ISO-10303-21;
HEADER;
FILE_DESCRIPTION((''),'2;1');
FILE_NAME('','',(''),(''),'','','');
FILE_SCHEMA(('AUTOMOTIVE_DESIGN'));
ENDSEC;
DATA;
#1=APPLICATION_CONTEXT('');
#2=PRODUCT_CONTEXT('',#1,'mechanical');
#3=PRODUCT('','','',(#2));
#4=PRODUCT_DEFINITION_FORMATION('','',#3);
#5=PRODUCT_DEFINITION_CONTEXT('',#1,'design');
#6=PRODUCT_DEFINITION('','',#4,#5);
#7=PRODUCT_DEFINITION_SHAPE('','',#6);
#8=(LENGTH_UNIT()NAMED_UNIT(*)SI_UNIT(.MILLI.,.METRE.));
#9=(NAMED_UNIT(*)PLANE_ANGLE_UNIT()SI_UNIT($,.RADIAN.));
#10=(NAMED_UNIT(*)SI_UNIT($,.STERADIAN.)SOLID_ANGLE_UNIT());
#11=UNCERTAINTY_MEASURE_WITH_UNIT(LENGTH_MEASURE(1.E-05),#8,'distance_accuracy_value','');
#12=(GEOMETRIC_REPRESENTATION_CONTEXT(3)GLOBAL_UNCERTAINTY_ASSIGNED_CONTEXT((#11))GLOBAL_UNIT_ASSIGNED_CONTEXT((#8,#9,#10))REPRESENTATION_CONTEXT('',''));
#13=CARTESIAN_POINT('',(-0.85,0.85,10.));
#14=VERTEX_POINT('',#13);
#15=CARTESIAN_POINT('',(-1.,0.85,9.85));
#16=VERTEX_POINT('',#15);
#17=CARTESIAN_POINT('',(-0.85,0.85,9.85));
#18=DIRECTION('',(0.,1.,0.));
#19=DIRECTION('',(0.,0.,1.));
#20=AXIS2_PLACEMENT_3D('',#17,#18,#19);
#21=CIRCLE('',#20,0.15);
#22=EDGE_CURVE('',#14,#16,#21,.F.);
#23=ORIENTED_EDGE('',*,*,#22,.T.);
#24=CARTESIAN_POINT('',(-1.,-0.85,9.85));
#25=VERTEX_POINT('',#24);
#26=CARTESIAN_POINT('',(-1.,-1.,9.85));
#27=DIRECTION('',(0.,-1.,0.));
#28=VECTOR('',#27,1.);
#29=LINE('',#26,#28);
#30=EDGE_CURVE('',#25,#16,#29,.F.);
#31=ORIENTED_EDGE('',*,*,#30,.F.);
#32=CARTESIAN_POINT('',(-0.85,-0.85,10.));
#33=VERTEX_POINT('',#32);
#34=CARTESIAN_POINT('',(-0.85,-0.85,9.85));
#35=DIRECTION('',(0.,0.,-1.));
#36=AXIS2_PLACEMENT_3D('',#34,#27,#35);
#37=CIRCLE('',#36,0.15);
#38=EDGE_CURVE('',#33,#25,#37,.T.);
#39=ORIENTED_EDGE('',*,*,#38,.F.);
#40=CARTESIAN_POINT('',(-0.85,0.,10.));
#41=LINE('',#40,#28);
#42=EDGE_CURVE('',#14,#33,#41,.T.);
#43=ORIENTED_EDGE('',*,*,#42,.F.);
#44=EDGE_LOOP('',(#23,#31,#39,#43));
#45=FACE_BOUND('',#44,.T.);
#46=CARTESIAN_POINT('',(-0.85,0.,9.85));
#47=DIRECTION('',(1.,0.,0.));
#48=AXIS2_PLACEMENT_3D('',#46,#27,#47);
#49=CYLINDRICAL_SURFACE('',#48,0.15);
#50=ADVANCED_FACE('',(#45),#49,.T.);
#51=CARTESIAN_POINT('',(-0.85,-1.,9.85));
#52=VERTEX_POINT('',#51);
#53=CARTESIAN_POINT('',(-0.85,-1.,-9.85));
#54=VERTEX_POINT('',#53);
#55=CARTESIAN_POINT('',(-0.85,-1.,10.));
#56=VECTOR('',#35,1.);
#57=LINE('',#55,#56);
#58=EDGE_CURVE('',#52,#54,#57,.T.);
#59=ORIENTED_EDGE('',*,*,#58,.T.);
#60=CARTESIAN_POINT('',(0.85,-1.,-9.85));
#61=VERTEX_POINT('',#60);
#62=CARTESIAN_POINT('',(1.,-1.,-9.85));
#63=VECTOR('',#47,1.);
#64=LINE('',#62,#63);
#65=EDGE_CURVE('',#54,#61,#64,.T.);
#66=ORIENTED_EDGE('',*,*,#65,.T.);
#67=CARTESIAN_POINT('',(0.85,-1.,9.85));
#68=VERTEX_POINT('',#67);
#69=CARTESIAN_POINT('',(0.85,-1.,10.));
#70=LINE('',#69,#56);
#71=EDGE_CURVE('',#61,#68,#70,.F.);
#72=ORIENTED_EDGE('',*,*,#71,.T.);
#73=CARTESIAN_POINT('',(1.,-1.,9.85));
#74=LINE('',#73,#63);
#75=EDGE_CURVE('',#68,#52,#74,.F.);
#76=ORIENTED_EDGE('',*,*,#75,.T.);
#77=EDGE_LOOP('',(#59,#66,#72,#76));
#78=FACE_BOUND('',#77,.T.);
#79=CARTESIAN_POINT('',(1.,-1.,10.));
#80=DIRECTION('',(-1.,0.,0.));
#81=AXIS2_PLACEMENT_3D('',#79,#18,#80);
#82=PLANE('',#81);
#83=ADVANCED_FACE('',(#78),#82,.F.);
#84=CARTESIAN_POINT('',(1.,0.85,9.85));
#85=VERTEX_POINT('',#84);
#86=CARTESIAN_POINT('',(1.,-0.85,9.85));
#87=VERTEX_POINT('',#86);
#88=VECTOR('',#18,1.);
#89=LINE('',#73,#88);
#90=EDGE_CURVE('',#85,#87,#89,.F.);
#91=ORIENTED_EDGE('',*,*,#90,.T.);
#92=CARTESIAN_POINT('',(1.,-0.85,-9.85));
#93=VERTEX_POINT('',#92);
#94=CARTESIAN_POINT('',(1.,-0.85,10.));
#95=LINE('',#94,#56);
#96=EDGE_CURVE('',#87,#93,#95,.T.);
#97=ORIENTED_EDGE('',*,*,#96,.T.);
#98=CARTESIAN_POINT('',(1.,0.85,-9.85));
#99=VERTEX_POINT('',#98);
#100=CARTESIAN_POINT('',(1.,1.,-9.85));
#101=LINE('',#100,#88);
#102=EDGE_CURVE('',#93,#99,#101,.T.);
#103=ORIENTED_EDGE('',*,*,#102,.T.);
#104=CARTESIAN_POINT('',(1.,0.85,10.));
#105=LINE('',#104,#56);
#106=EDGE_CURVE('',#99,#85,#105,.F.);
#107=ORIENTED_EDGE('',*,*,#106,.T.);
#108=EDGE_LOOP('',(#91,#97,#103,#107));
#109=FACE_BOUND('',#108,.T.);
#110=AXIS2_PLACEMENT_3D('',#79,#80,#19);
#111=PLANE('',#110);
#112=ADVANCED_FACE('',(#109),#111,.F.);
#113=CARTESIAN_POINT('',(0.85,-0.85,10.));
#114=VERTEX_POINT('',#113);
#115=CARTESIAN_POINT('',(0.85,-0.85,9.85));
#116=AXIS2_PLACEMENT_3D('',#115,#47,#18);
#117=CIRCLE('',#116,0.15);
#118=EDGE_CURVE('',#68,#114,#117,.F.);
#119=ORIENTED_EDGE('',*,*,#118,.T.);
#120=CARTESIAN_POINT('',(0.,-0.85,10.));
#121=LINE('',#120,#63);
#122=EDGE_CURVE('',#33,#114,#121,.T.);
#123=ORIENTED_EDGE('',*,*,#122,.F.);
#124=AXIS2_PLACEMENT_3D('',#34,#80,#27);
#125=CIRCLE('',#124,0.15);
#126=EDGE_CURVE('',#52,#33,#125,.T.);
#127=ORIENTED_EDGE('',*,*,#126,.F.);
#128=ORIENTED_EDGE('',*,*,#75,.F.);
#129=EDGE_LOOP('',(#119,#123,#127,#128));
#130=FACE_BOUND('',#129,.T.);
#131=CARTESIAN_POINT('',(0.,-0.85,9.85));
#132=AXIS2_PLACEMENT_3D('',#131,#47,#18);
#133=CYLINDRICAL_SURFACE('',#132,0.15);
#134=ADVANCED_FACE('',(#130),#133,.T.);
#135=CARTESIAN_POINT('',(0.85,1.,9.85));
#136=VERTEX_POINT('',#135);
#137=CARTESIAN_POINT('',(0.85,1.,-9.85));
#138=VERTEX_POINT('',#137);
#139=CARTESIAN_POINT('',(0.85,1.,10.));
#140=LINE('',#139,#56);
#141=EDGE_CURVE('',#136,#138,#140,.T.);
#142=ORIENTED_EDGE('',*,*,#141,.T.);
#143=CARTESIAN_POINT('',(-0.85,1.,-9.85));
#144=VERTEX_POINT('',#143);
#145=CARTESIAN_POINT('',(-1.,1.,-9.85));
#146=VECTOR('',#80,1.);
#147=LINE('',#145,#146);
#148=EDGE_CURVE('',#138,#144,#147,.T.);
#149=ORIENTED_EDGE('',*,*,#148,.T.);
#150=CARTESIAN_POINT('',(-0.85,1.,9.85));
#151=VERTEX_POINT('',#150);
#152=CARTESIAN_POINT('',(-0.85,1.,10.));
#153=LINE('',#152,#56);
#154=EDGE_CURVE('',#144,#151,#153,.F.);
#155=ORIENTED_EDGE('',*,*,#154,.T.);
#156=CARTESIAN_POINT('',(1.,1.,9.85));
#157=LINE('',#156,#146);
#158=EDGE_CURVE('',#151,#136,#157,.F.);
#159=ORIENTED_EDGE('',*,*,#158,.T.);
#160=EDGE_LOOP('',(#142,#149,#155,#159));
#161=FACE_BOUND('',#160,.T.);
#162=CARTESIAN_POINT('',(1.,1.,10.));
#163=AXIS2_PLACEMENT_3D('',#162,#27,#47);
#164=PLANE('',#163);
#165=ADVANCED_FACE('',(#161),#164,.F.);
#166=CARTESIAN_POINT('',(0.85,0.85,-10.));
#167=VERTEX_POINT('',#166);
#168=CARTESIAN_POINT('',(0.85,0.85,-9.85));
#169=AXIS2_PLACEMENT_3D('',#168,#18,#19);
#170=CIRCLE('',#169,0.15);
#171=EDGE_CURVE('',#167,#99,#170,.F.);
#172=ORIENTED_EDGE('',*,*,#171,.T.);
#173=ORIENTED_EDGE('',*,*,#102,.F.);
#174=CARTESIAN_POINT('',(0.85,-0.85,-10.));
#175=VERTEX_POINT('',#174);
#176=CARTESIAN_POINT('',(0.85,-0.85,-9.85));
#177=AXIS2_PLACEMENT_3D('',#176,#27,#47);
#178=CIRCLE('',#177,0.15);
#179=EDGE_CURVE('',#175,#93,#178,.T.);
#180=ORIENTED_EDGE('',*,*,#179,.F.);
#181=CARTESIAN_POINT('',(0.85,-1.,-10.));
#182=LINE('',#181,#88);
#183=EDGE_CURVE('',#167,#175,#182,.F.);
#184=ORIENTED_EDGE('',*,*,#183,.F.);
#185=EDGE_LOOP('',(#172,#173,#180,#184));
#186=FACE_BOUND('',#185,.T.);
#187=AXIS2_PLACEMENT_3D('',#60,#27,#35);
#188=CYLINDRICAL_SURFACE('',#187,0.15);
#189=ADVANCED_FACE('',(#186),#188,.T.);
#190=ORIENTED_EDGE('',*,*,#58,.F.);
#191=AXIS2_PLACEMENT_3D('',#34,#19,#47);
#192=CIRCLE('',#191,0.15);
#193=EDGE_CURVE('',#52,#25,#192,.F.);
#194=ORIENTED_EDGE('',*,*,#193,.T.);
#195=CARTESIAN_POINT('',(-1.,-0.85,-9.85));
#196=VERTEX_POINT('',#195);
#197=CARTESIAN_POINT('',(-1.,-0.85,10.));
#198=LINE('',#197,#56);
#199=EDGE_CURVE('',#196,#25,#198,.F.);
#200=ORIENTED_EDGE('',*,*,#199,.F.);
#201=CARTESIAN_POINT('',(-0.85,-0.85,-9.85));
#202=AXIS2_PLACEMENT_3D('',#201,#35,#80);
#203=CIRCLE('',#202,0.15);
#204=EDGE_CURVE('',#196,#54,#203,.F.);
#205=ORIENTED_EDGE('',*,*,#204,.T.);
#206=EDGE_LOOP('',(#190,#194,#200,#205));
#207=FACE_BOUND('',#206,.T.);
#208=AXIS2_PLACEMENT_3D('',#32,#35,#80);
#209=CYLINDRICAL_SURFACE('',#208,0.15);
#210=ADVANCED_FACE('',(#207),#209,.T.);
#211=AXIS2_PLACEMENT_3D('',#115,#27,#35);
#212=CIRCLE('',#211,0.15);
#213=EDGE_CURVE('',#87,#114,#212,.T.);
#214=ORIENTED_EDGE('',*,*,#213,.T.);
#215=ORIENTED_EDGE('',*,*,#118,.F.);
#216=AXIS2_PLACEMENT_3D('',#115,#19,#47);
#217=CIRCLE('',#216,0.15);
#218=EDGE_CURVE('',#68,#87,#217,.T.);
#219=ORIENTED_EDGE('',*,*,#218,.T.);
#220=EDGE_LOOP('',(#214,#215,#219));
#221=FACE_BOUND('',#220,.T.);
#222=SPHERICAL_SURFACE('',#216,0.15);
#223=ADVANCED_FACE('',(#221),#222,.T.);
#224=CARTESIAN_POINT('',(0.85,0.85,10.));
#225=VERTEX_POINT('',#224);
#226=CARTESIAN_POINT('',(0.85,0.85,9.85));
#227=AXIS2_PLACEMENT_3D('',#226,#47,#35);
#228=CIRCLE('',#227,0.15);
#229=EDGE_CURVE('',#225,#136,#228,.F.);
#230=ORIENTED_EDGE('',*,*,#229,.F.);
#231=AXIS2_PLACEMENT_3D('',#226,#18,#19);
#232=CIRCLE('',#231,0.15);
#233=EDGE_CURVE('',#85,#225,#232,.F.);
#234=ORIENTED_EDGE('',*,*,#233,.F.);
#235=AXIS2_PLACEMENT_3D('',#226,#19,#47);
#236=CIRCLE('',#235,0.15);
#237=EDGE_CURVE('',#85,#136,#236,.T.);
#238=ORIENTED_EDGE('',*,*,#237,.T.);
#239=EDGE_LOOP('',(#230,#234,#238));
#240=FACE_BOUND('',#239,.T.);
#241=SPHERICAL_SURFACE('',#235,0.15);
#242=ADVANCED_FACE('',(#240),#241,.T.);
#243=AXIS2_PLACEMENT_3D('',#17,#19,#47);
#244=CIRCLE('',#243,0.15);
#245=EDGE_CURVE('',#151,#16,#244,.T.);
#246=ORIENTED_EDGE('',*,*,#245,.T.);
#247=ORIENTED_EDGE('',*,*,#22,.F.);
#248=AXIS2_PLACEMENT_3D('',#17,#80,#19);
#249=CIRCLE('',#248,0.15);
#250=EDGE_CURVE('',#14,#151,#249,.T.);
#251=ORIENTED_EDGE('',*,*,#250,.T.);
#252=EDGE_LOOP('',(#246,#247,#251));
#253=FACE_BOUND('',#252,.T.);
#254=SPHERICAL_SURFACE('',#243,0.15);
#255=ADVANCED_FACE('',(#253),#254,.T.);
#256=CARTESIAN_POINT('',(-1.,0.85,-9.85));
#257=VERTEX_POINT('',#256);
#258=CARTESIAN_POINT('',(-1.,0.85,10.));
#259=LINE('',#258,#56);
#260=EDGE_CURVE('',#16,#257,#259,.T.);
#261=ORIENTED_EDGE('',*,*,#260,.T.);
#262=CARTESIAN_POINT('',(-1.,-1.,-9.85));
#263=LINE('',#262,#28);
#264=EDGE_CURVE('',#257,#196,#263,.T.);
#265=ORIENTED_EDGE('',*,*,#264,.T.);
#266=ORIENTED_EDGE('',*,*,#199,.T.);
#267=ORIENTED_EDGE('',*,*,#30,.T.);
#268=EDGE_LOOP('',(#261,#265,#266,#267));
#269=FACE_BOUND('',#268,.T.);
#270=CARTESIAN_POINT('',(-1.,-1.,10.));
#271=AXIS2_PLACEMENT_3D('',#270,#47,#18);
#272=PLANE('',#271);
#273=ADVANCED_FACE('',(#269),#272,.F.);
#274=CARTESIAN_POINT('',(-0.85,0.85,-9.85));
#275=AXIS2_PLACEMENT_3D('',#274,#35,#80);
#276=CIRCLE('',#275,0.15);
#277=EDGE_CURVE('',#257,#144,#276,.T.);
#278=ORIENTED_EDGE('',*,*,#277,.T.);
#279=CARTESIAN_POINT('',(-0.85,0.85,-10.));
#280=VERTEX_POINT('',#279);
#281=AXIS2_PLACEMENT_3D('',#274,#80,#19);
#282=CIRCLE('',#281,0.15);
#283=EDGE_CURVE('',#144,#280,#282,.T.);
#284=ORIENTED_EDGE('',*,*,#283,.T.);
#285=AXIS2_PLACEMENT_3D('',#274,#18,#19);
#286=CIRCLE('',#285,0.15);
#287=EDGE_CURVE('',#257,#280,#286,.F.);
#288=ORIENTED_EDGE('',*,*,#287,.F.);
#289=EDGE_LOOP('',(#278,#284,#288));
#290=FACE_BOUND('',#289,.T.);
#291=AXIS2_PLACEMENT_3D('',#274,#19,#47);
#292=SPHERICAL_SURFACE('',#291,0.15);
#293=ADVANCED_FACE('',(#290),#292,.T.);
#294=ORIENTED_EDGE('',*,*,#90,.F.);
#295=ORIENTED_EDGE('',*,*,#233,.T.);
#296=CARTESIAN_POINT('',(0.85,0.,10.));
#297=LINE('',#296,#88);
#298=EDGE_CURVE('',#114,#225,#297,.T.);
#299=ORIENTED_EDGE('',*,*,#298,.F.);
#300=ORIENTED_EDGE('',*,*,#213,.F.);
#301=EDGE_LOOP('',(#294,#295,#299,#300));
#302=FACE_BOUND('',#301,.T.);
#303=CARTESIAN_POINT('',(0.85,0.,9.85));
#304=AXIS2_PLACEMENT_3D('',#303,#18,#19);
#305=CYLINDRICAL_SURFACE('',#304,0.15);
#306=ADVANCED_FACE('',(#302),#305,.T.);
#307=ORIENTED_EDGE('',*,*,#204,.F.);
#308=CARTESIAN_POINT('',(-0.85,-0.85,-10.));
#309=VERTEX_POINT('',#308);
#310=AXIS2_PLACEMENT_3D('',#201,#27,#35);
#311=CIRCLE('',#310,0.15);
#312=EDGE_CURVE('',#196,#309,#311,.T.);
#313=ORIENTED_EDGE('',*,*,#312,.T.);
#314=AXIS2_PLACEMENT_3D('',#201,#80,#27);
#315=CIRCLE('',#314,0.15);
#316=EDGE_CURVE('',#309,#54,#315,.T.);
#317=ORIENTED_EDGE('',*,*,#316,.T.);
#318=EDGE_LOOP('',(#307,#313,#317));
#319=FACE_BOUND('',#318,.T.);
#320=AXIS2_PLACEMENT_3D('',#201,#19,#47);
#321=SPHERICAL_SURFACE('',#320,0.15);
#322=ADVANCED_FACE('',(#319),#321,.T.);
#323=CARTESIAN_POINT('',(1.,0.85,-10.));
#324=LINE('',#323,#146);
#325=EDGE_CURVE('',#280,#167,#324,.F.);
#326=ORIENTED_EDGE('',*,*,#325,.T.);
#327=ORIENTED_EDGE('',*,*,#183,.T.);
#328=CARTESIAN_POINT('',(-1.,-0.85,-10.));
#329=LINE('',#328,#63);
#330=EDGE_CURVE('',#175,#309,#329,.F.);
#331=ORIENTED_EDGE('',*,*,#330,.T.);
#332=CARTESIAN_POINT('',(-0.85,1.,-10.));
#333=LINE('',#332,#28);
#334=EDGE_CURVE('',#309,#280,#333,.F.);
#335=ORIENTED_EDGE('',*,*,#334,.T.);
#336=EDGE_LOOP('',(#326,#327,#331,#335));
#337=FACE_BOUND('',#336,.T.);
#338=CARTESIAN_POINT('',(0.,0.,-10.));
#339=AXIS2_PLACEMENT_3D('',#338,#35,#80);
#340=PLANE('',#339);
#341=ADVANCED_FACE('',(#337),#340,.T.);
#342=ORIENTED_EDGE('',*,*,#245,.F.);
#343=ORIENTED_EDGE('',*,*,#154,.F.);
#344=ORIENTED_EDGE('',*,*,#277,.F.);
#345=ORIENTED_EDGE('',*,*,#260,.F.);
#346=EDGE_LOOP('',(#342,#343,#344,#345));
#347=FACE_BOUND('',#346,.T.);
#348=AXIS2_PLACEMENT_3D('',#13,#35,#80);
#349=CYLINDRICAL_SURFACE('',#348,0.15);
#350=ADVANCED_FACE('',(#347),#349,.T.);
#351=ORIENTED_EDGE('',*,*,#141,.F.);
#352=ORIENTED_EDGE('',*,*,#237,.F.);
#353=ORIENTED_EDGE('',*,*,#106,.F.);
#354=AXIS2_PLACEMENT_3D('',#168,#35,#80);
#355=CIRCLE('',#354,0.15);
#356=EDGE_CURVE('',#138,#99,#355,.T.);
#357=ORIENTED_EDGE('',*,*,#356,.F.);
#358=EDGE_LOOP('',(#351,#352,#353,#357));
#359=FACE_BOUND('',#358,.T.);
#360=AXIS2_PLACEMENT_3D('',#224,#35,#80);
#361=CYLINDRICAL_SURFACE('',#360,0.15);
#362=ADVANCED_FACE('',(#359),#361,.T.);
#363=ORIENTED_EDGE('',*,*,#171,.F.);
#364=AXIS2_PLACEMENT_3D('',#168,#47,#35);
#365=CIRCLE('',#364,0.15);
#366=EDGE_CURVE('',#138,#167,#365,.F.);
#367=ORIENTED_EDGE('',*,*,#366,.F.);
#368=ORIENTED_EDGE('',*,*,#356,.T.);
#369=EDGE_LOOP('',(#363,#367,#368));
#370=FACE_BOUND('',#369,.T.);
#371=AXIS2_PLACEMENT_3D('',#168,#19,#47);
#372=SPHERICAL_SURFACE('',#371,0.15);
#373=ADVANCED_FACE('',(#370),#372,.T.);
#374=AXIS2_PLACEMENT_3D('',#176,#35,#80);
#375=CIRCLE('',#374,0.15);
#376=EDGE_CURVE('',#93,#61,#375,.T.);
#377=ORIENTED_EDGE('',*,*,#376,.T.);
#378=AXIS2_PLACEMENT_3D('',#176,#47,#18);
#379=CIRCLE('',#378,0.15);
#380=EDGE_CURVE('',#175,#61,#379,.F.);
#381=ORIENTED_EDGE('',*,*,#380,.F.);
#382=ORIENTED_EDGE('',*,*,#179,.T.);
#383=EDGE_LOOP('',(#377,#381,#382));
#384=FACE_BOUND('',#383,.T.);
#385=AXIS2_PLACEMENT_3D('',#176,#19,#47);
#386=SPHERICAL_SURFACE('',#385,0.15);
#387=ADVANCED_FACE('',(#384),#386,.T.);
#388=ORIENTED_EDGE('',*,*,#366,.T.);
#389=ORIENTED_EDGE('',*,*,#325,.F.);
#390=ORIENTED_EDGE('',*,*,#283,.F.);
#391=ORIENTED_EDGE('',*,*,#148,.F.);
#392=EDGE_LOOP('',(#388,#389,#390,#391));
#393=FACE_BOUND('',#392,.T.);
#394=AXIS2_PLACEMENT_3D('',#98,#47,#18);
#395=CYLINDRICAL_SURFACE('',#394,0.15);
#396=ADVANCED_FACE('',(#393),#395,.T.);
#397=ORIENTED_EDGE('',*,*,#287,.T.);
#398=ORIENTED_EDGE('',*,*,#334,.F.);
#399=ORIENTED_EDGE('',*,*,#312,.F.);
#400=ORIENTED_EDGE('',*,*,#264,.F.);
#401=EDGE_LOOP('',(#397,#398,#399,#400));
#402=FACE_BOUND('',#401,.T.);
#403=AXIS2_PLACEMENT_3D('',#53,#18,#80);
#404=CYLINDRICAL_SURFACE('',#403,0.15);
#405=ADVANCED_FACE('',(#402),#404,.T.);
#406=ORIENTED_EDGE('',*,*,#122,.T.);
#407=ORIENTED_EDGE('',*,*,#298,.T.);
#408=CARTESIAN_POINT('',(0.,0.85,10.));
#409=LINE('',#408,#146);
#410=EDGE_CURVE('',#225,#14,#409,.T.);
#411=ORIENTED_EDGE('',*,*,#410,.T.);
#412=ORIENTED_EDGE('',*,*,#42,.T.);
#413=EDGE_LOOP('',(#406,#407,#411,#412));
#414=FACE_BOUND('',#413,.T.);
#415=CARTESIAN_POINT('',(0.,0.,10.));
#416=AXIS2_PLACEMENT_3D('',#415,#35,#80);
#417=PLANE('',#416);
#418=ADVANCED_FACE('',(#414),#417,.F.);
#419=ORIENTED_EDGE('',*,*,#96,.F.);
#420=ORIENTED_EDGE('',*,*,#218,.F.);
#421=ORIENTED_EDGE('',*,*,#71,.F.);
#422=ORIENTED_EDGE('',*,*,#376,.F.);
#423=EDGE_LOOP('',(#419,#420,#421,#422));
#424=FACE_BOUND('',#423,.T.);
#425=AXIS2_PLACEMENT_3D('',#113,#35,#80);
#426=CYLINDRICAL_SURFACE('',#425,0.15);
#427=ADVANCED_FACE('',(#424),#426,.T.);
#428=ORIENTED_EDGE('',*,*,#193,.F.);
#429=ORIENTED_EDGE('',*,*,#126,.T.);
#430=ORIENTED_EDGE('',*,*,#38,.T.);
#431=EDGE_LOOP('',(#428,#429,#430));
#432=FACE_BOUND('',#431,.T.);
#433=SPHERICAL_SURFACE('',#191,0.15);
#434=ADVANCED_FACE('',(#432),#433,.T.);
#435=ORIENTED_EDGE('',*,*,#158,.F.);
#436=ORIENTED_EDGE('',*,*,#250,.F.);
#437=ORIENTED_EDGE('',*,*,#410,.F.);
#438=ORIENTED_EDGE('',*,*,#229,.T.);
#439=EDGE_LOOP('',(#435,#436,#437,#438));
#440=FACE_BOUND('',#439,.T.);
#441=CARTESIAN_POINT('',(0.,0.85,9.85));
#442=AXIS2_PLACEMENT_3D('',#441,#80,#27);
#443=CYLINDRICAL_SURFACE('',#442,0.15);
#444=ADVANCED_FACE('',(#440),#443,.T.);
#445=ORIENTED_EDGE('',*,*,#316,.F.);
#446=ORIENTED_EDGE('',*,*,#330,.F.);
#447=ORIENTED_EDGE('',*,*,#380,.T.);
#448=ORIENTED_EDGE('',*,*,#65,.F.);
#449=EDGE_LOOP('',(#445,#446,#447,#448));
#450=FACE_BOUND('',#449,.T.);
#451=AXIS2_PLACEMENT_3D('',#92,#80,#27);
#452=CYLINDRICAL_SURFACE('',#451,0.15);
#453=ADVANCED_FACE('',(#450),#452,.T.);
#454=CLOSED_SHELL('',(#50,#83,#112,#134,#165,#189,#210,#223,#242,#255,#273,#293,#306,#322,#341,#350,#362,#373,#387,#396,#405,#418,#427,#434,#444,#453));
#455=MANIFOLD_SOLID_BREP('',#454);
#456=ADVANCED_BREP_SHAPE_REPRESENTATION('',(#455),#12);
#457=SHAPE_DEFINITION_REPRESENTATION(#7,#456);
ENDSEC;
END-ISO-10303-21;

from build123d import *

# Parameters (mm, degrees)
BOSS_EXTRUDE1_DEPTH      = 10
BOSS_EXTRUDE1_DEPTH_BACK = 10
SKETCH3_W                = 2
SKETCH3_H                = 2
FILLET2_R                = 0.15


with BuildPart() as part:
    # Sketch3 → Boss-Extrude1 (new, two sides: drawn at the far end of the back side and taken through both)
    with BuildSketch(Plane.XY.offset(-BOSS_EXTRUDE1_DEPTH_BACK)):
        Rectangle(SKETCH3_W, SKETCH3_H)
    extrude(amount=BOSS_EXTRUDE1_DEPTH + BOSS_EXTRUDE1_DEPTH_BACK)

    # Fillet2
    fillet2_edges = [part.edges().sort_by_distance(p)[0] for p in [
        (0, 1, 10),
        (0, -1, -10),
        (-1, 0, -10),
        (0, 1, -10),
        (1, 0, -10),
        (-1, 0, 10),
        (0, -1, 10),
        (1, 0, 10),
        (-1, -1, 0),
        (-1, 1, 0),
        (1, 1, 0),
        (1, -1, 0),
    ]]
    fillet(fillet2_edges, radius=FILLET2_R)


solid = part.part
